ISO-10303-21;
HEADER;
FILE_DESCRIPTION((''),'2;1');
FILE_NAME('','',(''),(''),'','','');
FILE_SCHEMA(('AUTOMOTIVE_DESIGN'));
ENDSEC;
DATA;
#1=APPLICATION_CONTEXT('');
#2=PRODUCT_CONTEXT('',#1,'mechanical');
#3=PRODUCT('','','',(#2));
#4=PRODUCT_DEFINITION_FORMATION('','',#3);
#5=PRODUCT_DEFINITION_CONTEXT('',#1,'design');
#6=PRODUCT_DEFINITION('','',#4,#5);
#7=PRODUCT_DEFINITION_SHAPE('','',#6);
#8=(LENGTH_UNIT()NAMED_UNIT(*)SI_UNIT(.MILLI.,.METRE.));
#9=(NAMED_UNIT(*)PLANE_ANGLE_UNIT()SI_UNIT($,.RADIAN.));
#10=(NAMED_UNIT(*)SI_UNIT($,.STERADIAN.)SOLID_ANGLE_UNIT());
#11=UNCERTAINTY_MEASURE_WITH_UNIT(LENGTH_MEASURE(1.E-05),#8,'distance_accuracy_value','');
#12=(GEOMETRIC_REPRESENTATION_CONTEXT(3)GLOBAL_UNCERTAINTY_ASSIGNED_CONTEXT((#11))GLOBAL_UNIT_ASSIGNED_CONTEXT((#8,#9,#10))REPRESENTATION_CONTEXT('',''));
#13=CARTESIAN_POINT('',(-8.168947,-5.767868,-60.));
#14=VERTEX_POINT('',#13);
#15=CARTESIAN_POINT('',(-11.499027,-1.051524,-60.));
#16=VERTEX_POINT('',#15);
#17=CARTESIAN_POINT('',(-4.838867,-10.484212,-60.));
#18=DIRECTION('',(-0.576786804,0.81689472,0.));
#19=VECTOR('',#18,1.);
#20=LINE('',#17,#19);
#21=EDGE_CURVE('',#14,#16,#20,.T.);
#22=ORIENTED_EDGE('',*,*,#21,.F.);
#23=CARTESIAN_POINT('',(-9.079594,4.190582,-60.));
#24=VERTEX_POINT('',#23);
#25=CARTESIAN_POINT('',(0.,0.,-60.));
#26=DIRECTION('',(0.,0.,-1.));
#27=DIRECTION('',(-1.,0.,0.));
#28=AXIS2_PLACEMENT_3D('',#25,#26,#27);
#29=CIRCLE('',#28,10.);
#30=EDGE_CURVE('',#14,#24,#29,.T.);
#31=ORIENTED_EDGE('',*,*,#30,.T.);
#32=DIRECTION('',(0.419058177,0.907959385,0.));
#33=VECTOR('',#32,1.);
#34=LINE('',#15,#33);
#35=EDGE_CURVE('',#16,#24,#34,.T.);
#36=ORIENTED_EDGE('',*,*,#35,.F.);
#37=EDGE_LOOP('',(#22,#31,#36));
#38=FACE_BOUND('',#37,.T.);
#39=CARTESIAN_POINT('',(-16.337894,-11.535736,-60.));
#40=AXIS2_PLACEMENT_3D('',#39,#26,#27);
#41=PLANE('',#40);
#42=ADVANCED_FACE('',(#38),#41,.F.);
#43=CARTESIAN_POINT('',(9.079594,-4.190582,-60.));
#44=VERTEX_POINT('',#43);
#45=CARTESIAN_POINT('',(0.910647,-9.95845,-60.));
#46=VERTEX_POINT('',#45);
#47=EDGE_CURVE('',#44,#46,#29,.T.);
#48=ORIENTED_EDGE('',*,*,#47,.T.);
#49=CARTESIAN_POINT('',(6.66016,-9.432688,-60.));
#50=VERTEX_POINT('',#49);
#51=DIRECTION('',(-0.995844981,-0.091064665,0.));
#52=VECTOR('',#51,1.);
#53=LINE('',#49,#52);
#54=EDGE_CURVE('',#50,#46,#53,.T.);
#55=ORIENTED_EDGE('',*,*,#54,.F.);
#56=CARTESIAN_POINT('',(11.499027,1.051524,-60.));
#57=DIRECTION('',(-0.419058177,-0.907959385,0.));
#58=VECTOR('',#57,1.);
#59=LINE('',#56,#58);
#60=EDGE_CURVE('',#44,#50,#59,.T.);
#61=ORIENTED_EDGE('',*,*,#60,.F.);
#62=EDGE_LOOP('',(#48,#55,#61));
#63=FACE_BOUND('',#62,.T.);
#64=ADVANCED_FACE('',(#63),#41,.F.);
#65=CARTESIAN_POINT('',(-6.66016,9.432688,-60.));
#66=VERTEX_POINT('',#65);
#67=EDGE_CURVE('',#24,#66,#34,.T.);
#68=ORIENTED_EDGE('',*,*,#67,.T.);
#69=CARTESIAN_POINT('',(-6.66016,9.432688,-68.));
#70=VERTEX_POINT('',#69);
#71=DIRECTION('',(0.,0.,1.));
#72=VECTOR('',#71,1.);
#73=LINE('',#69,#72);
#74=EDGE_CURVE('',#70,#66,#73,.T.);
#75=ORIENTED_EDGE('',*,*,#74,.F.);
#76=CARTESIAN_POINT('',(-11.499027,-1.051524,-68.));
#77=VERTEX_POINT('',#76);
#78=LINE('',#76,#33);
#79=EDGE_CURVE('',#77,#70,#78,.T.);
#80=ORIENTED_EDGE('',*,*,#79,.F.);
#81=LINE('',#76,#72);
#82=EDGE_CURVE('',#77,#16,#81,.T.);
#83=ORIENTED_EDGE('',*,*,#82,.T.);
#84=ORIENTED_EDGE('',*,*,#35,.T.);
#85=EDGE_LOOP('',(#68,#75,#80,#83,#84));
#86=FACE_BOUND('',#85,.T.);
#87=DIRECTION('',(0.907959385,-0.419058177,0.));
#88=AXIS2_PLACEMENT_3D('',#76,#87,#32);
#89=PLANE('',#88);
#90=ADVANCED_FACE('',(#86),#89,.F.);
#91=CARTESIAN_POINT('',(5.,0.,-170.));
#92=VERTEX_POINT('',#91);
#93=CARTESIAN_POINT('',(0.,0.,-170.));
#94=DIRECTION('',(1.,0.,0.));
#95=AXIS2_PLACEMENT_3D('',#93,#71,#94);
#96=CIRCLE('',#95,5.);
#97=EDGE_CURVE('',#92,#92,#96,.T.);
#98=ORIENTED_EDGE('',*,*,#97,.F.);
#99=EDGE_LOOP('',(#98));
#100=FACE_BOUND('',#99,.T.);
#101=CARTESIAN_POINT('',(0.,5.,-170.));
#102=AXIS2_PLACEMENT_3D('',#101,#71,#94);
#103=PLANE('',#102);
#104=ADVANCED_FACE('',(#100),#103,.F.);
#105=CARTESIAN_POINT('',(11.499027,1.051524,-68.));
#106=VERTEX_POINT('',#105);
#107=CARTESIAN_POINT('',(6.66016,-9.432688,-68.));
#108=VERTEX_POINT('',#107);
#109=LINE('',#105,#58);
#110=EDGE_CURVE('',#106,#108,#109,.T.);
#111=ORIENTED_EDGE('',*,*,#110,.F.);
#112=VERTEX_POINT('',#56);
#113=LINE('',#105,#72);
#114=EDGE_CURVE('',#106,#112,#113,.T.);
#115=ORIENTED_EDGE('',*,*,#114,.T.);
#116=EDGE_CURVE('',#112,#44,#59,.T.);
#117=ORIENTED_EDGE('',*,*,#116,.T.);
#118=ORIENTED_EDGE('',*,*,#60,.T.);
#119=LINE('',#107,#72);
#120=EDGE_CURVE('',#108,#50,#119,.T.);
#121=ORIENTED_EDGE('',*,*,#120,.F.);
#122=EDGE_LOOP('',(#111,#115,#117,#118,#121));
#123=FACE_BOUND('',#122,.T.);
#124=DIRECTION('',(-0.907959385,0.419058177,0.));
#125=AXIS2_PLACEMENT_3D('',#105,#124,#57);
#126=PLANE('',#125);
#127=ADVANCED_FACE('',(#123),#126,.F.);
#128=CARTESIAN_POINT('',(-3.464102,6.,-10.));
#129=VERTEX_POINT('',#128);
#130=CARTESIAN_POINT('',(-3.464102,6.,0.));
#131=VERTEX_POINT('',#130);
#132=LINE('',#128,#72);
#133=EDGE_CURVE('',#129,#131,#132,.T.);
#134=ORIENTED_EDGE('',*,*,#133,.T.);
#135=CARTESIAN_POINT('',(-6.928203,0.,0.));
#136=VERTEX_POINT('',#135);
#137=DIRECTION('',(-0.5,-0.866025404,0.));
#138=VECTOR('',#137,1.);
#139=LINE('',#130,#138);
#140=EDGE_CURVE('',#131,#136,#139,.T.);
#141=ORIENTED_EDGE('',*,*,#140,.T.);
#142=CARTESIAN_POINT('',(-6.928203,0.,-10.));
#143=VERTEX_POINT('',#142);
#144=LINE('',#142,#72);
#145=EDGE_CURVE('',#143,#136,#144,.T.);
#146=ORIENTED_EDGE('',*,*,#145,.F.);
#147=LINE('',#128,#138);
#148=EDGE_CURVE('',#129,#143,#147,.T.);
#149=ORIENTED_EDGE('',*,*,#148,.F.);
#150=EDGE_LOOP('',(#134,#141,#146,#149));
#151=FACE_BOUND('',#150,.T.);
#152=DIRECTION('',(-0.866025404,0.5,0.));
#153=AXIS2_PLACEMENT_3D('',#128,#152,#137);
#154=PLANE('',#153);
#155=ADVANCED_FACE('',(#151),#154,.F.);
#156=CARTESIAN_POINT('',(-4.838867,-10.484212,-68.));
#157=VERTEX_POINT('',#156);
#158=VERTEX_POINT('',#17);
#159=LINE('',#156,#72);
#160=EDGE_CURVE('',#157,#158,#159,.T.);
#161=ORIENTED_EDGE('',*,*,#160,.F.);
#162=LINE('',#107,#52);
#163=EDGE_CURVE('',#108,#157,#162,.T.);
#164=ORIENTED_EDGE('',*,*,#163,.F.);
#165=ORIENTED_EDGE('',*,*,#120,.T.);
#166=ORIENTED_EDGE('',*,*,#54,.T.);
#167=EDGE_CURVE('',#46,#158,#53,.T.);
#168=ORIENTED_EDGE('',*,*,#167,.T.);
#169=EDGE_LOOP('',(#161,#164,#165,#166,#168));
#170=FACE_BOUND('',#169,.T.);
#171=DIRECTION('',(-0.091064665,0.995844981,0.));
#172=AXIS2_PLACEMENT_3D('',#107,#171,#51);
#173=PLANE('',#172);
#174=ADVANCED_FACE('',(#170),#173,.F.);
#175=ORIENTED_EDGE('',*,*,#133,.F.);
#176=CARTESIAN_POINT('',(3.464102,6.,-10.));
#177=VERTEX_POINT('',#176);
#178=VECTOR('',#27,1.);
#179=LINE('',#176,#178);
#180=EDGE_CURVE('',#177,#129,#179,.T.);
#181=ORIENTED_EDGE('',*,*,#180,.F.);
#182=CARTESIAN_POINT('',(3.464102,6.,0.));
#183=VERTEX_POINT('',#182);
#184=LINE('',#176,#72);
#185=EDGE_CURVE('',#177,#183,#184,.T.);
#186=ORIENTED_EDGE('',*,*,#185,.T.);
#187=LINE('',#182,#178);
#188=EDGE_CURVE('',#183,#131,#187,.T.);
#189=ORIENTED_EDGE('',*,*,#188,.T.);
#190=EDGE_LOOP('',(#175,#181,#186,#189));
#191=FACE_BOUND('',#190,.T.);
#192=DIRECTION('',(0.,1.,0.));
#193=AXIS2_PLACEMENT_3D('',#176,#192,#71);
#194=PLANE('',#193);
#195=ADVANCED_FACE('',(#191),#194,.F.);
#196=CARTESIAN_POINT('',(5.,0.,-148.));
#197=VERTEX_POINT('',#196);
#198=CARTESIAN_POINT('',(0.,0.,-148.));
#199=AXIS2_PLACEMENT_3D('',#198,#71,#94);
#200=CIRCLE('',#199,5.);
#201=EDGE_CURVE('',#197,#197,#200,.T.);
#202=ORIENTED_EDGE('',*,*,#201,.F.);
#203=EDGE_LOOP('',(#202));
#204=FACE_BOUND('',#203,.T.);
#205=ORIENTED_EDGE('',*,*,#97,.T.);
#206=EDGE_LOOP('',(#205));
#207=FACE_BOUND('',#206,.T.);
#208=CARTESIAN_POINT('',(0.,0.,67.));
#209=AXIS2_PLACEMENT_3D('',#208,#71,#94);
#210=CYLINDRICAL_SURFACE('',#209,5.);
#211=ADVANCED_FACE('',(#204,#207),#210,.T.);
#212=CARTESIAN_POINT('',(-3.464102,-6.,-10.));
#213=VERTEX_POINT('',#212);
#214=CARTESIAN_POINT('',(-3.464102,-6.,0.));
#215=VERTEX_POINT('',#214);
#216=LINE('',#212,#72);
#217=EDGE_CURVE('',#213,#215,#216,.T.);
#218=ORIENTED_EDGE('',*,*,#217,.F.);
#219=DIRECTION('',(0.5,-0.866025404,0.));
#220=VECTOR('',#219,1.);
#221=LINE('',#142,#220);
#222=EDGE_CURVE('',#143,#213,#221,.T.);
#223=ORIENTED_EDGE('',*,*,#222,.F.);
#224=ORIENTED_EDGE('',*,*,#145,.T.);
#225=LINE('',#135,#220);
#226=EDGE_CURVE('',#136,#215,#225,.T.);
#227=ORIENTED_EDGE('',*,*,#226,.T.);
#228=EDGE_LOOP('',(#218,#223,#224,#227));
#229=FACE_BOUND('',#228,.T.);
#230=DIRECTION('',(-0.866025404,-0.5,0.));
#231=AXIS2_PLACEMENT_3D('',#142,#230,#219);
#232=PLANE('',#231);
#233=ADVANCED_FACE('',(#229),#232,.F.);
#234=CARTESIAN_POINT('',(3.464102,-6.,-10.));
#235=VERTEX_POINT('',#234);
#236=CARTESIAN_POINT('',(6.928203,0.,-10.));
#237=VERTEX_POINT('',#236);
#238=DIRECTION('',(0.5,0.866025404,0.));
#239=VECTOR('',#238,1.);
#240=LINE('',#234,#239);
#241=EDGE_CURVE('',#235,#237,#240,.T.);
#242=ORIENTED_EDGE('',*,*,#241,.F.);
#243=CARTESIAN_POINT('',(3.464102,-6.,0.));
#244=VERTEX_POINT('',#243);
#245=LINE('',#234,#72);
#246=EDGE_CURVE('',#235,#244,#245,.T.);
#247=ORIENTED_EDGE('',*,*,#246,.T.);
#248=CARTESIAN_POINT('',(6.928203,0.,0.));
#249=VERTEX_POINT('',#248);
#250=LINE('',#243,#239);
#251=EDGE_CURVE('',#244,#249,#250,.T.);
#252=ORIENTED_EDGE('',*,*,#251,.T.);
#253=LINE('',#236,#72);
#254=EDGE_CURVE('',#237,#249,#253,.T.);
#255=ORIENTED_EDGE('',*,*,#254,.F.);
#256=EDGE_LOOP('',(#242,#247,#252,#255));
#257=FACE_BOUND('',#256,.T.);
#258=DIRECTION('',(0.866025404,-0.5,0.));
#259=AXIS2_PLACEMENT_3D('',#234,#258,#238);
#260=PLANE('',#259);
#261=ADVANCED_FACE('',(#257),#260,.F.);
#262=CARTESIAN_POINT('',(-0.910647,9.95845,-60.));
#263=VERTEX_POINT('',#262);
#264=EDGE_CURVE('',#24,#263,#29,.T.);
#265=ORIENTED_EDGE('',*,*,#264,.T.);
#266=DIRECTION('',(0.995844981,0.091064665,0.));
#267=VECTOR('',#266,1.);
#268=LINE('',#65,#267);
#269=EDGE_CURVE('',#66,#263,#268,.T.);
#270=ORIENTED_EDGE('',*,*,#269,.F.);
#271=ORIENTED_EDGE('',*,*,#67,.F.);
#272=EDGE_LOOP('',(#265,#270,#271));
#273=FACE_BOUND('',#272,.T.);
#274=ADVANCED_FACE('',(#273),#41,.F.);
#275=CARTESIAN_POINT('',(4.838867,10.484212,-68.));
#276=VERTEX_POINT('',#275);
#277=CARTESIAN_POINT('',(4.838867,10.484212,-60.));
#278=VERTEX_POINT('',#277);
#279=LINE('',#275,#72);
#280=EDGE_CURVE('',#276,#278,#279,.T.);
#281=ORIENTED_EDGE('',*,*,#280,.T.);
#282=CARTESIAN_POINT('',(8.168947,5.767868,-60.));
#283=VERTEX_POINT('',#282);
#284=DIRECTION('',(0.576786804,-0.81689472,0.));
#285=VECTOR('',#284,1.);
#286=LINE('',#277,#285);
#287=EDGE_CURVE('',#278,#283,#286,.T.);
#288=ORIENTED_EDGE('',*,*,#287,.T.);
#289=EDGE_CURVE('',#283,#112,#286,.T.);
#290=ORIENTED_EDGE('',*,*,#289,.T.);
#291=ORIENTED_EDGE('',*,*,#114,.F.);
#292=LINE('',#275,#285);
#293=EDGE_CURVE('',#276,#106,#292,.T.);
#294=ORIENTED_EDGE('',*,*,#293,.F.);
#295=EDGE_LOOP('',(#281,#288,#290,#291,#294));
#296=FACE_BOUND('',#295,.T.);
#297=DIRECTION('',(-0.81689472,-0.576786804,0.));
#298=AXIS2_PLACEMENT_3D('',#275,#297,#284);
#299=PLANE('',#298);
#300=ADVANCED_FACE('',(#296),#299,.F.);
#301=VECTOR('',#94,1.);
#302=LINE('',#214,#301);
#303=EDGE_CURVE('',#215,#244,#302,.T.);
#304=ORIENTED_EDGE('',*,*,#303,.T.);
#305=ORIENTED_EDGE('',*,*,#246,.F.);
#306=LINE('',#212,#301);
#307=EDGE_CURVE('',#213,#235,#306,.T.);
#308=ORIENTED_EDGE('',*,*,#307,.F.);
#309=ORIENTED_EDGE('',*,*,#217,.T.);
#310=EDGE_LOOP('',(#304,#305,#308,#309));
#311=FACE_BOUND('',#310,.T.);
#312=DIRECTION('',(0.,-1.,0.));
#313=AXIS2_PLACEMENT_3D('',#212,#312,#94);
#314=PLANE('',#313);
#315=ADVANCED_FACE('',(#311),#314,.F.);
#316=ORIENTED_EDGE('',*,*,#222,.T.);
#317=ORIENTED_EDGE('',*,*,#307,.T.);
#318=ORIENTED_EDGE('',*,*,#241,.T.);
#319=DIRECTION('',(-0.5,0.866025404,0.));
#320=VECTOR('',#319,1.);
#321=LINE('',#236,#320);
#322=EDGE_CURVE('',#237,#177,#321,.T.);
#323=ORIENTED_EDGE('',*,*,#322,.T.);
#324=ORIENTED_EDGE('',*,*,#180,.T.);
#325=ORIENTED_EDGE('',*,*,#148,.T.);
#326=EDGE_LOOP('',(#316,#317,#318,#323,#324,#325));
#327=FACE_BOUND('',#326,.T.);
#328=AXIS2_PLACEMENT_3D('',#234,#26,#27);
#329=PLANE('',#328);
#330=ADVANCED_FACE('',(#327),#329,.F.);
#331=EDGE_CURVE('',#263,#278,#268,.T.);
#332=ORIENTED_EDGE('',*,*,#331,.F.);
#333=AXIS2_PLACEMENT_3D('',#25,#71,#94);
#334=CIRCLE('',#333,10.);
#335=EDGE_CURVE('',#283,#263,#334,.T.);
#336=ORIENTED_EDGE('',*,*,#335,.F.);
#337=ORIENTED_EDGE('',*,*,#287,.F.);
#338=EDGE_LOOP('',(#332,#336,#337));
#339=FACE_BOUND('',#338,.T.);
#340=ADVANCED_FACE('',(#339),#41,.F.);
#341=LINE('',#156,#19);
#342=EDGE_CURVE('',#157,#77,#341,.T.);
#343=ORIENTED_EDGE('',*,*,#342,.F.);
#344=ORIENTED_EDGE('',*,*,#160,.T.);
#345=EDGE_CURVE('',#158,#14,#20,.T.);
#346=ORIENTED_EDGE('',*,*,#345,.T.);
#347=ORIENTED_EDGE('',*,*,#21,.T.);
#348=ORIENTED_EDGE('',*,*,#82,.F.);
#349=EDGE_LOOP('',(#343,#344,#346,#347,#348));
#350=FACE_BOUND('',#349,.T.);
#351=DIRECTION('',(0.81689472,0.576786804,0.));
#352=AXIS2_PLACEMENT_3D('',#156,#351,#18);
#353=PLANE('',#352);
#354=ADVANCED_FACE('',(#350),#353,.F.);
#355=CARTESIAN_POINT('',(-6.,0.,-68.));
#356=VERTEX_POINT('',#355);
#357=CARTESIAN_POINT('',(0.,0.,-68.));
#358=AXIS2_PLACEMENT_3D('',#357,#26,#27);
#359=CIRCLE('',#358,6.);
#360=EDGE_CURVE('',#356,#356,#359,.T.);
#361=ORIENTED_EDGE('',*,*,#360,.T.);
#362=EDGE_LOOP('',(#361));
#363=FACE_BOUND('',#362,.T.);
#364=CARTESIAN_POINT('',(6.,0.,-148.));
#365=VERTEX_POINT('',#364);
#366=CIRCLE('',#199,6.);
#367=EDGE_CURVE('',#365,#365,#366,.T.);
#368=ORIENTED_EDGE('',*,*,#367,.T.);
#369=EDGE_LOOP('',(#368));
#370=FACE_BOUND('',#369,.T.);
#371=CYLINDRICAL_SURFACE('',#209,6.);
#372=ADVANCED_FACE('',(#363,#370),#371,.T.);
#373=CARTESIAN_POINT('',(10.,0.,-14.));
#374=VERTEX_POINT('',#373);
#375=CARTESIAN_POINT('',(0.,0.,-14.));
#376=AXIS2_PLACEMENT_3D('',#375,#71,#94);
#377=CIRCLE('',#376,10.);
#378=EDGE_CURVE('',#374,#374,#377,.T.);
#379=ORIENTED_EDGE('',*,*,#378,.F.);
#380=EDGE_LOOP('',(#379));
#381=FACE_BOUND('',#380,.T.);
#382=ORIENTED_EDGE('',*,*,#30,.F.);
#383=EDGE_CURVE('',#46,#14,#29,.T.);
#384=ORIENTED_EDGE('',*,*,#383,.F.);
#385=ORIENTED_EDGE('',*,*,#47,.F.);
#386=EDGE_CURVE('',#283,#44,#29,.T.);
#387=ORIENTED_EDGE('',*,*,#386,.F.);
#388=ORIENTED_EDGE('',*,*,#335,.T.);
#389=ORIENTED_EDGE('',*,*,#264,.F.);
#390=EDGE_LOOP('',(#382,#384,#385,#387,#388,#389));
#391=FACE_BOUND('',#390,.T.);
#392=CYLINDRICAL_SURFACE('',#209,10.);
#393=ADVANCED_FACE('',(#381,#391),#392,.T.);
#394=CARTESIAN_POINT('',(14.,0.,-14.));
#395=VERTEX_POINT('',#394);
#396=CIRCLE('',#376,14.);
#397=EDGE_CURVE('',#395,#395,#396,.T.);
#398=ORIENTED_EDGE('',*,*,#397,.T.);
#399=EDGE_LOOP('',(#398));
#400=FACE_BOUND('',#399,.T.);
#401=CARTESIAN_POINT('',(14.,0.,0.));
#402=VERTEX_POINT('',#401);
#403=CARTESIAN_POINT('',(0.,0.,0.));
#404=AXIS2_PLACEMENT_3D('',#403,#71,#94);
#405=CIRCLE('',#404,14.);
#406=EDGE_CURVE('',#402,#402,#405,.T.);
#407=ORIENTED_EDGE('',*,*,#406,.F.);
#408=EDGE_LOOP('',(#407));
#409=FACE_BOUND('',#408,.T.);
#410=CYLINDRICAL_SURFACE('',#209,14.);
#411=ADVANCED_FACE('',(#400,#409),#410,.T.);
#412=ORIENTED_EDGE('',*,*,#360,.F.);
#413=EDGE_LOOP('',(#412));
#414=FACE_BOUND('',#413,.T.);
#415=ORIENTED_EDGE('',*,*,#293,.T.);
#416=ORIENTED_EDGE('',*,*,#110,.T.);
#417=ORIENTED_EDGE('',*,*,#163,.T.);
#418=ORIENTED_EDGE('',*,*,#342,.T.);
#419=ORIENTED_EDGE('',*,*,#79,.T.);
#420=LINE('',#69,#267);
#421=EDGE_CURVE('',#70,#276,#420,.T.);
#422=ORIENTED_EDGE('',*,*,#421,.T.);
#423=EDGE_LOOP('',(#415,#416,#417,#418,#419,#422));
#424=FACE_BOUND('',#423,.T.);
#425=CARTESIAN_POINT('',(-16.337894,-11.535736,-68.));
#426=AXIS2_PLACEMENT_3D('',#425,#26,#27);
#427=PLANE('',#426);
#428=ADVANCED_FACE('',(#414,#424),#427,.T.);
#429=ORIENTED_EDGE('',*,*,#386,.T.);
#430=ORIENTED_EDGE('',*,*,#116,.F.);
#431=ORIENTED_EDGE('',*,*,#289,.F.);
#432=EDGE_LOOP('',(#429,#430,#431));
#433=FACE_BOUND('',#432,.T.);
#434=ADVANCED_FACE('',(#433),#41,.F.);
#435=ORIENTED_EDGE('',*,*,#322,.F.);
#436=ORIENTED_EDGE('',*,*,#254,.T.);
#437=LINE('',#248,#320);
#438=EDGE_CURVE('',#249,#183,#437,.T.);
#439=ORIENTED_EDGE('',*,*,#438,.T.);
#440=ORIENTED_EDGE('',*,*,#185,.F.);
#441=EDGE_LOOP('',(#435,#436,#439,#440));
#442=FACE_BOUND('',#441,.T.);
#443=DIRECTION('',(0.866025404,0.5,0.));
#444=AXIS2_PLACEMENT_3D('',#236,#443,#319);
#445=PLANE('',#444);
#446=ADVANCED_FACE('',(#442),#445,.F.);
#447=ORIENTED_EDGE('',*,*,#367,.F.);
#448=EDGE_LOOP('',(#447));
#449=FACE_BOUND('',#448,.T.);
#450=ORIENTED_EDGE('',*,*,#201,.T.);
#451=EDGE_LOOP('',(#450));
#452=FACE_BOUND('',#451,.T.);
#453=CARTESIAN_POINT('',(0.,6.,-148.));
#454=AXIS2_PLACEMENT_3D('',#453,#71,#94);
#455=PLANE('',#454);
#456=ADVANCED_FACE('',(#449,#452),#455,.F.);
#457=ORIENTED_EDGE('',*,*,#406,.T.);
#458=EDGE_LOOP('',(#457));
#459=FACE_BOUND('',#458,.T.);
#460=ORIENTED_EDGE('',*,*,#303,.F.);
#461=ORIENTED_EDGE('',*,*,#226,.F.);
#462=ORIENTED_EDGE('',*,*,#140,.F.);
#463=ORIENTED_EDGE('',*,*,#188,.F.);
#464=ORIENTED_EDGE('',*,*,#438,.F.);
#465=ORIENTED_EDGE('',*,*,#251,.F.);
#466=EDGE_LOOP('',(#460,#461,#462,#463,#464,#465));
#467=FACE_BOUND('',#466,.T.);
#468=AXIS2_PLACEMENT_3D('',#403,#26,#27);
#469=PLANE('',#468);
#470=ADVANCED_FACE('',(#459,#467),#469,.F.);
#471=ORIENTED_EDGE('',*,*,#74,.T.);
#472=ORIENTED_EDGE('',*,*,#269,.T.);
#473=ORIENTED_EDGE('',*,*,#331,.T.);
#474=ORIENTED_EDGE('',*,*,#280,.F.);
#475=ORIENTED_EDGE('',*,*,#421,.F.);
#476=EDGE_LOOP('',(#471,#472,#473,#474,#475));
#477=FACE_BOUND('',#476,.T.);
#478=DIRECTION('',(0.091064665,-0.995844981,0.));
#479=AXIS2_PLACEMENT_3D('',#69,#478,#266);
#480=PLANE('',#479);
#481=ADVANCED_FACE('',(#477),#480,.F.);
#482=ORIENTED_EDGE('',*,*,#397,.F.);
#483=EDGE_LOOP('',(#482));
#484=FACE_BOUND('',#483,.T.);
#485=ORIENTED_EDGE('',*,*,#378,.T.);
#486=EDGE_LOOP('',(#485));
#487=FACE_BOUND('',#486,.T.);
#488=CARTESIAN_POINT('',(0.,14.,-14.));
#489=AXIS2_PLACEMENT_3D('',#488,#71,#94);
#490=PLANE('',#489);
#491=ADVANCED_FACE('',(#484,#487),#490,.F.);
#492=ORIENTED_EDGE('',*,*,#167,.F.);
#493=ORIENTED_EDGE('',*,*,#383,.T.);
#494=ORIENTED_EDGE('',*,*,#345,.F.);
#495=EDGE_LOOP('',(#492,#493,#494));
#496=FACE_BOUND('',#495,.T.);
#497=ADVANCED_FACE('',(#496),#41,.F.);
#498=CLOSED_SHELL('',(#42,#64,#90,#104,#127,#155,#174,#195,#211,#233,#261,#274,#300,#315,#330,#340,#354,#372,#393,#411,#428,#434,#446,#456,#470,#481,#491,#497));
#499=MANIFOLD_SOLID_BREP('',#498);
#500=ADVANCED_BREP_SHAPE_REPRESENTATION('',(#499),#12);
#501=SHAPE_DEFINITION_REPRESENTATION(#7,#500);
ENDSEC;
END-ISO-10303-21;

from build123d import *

# Parameters (mm, degrees)
ENL_V_MAT_EXTRU_1_DEPTH = 10
BOSS_EXTRU_1_DEPTH      = 8


with BuildPart() as part:
    # Esquisse2 → Base-Révolution (revolve)
    with BuildSketch(Plane(origin=(0, 0, 0), x_dir=(0, 0, -1), z_dir=(1, 0, 0)), mode=Mode.PRIVATE) as base_r_volution_sk:
        Polygon((0, 0), (0, 14), (14, 14), (14, 10), (60, 10), (60, 6), (148, 6), (148, 5), (170, 5), (170, 0), align=None)
    revolve(base_r_volution_sk.sketch.rotate(Axis((0, 0, 67), (0, 0, -1)), 90), axis=Axis((0, 0, 67), (0, 0, -1)))

    # Esquisse3 → Enlèv. mat.-Extru.1 (cut)
    with BuildSketch(Plane.XY):
        Polygon((6.92820323, 0), (3.464101615, 6), (-3.464101615, 6), (-6.92820323, 0), (-3.464101615, -6), (3.464101615, -6), align=None)
    extrude(amount=-ENL_V_MAT_EXTRU_1_DEPTH, mode=Mode.SUBTRACT)

    # Esquisse7 → Boss.-Extru.1 (add)
    with BuildSketch(Plane(origin=(0, 0, -60), x_dir=(-1, 0, 0), z_dir=(0, 0, -1))):
        Polygon((4.838867031, -10.484211901), (11.499027361, -1.051524176), (6.660160329, 9.432687725), (-4.838867031, 10.484211901), (-11.499027361, 1.051524176), (-6.660160329, -9.432687725), align=None)
    extrude(amount=BOSS_EXTRU_1_DEPTH)


solid = part.part
